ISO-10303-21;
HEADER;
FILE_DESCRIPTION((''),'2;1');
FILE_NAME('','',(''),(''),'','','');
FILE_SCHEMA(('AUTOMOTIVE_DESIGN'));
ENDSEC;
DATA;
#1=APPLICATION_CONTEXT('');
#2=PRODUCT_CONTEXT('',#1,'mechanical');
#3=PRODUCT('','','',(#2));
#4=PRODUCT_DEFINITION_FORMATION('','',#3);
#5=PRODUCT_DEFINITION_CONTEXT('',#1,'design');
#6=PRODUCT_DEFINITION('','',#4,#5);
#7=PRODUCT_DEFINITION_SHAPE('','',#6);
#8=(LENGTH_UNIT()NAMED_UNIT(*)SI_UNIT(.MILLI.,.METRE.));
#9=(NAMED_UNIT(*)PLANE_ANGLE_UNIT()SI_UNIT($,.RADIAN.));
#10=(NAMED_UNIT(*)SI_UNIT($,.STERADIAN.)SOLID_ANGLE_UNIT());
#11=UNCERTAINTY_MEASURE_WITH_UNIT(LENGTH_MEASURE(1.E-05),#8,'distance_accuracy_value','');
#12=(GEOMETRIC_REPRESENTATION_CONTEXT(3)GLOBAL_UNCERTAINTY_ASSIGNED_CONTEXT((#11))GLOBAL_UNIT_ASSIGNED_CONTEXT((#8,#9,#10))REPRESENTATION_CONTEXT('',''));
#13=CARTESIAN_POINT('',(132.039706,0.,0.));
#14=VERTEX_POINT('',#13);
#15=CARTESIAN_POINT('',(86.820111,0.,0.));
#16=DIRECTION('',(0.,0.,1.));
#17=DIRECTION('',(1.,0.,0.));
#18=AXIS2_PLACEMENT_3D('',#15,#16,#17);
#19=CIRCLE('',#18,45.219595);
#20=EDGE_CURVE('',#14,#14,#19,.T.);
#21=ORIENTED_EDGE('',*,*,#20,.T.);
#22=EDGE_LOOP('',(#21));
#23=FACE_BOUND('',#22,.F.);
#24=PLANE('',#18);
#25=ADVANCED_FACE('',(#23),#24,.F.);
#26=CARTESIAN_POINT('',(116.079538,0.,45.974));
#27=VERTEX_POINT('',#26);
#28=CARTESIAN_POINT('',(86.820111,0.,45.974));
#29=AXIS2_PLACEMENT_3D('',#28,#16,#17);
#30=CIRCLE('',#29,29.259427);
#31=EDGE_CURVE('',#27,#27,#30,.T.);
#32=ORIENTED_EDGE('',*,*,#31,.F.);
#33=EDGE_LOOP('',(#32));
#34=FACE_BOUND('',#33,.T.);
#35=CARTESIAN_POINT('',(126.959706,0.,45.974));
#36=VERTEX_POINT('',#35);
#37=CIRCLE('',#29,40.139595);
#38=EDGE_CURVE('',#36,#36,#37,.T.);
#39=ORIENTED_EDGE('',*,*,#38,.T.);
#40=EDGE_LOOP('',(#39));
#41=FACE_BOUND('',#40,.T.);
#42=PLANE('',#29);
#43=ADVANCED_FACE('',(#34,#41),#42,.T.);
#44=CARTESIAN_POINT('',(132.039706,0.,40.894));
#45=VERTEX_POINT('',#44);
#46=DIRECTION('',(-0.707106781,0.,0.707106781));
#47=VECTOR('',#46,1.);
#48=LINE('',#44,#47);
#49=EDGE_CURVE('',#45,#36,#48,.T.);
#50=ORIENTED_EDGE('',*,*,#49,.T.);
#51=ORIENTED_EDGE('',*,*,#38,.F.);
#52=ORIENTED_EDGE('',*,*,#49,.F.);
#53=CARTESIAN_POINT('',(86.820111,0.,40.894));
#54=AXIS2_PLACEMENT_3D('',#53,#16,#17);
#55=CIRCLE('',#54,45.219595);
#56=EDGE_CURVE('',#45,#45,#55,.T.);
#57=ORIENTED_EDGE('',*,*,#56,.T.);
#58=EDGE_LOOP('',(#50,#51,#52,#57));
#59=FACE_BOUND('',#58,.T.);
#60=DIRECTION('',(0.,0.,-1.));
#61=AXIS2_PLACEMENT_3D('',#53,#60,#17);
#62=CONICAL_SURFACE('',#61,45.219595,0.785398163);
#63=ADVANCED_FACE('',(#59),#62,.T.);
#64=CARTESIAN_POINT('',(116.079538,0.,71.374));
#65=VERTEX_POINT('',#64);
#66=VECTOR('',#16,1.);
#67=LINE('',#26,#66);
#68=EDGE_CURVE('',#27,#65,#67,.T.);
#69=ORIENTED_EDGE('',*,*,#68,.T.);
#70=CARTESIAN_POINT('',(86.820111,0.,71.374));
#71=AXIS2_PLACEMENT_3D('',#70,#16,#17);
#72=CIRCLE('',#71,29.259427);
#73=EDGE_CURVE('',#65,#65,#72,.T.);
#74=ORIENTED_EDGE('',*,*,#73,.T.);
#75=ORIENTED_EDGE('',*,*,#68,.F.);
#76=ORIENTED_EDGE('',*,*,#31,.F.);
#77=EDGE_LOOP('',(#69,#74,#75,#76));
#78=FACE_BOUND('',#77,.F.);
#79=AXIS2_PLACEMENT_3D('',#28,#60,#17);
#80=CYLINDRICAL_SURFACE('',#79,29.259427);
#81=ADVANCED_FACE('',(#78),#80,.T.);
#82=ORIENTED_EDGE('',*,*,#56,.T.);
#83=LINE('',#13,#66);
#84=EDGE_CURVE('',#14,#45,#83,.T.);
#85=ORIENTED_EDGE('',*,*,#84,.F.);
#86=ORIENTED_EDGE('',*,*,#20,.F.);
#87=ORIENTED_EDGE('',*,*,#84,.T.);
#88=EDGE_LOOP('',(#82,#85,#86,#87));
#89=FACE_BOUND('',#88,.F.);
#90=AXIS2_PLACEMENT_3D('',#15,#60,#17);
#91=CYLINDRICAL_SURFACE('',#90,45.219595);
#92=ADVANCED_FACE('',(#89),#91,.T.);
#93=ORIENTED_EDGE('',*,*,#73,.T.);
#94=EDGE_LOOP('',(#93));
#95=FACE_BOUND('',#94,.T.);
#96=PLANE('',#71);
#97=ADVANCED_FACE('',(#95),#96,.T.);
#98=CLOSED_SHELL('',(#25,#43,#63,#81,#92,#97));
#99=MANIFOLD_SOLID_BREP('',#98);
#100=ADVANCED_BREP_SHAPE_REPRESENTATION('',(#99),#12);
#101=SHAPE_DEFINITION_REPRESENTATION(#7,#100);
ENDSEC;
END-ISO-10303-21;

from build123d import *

# Parameters (mm, degrees)
F0_R     = 45.219595
F1_DEPTH = 45.974
F2_SIZE  = 5.08
F3_R     = 29.259427
F4_DEPTH = 25.4


with BuildPart() as f1:
    # F0 (on Top) → F1 (new body)
    with BuildSketch(Plane.XY):
        with Locations((86.820111, 0)):
            Circle(F0_R)
    extrude(amount=F1_DEPTH)

    # F2
    f2_edges = [f1.edges().sort_by_distance(p)[0] for p in [
        (41.600516, 0, 45.974),
    ]]
    chamfer(f2_edges, length=F2_SIZE)

    # F3 (on face) → F4 (join)
    with BuildSketch(Plane.XY.offset(45.974)):
        with Locations((86.820111, 0)):
            Circle(F3_R)
    extrude(amount=F4_DEPTH)


solid = f1.part
